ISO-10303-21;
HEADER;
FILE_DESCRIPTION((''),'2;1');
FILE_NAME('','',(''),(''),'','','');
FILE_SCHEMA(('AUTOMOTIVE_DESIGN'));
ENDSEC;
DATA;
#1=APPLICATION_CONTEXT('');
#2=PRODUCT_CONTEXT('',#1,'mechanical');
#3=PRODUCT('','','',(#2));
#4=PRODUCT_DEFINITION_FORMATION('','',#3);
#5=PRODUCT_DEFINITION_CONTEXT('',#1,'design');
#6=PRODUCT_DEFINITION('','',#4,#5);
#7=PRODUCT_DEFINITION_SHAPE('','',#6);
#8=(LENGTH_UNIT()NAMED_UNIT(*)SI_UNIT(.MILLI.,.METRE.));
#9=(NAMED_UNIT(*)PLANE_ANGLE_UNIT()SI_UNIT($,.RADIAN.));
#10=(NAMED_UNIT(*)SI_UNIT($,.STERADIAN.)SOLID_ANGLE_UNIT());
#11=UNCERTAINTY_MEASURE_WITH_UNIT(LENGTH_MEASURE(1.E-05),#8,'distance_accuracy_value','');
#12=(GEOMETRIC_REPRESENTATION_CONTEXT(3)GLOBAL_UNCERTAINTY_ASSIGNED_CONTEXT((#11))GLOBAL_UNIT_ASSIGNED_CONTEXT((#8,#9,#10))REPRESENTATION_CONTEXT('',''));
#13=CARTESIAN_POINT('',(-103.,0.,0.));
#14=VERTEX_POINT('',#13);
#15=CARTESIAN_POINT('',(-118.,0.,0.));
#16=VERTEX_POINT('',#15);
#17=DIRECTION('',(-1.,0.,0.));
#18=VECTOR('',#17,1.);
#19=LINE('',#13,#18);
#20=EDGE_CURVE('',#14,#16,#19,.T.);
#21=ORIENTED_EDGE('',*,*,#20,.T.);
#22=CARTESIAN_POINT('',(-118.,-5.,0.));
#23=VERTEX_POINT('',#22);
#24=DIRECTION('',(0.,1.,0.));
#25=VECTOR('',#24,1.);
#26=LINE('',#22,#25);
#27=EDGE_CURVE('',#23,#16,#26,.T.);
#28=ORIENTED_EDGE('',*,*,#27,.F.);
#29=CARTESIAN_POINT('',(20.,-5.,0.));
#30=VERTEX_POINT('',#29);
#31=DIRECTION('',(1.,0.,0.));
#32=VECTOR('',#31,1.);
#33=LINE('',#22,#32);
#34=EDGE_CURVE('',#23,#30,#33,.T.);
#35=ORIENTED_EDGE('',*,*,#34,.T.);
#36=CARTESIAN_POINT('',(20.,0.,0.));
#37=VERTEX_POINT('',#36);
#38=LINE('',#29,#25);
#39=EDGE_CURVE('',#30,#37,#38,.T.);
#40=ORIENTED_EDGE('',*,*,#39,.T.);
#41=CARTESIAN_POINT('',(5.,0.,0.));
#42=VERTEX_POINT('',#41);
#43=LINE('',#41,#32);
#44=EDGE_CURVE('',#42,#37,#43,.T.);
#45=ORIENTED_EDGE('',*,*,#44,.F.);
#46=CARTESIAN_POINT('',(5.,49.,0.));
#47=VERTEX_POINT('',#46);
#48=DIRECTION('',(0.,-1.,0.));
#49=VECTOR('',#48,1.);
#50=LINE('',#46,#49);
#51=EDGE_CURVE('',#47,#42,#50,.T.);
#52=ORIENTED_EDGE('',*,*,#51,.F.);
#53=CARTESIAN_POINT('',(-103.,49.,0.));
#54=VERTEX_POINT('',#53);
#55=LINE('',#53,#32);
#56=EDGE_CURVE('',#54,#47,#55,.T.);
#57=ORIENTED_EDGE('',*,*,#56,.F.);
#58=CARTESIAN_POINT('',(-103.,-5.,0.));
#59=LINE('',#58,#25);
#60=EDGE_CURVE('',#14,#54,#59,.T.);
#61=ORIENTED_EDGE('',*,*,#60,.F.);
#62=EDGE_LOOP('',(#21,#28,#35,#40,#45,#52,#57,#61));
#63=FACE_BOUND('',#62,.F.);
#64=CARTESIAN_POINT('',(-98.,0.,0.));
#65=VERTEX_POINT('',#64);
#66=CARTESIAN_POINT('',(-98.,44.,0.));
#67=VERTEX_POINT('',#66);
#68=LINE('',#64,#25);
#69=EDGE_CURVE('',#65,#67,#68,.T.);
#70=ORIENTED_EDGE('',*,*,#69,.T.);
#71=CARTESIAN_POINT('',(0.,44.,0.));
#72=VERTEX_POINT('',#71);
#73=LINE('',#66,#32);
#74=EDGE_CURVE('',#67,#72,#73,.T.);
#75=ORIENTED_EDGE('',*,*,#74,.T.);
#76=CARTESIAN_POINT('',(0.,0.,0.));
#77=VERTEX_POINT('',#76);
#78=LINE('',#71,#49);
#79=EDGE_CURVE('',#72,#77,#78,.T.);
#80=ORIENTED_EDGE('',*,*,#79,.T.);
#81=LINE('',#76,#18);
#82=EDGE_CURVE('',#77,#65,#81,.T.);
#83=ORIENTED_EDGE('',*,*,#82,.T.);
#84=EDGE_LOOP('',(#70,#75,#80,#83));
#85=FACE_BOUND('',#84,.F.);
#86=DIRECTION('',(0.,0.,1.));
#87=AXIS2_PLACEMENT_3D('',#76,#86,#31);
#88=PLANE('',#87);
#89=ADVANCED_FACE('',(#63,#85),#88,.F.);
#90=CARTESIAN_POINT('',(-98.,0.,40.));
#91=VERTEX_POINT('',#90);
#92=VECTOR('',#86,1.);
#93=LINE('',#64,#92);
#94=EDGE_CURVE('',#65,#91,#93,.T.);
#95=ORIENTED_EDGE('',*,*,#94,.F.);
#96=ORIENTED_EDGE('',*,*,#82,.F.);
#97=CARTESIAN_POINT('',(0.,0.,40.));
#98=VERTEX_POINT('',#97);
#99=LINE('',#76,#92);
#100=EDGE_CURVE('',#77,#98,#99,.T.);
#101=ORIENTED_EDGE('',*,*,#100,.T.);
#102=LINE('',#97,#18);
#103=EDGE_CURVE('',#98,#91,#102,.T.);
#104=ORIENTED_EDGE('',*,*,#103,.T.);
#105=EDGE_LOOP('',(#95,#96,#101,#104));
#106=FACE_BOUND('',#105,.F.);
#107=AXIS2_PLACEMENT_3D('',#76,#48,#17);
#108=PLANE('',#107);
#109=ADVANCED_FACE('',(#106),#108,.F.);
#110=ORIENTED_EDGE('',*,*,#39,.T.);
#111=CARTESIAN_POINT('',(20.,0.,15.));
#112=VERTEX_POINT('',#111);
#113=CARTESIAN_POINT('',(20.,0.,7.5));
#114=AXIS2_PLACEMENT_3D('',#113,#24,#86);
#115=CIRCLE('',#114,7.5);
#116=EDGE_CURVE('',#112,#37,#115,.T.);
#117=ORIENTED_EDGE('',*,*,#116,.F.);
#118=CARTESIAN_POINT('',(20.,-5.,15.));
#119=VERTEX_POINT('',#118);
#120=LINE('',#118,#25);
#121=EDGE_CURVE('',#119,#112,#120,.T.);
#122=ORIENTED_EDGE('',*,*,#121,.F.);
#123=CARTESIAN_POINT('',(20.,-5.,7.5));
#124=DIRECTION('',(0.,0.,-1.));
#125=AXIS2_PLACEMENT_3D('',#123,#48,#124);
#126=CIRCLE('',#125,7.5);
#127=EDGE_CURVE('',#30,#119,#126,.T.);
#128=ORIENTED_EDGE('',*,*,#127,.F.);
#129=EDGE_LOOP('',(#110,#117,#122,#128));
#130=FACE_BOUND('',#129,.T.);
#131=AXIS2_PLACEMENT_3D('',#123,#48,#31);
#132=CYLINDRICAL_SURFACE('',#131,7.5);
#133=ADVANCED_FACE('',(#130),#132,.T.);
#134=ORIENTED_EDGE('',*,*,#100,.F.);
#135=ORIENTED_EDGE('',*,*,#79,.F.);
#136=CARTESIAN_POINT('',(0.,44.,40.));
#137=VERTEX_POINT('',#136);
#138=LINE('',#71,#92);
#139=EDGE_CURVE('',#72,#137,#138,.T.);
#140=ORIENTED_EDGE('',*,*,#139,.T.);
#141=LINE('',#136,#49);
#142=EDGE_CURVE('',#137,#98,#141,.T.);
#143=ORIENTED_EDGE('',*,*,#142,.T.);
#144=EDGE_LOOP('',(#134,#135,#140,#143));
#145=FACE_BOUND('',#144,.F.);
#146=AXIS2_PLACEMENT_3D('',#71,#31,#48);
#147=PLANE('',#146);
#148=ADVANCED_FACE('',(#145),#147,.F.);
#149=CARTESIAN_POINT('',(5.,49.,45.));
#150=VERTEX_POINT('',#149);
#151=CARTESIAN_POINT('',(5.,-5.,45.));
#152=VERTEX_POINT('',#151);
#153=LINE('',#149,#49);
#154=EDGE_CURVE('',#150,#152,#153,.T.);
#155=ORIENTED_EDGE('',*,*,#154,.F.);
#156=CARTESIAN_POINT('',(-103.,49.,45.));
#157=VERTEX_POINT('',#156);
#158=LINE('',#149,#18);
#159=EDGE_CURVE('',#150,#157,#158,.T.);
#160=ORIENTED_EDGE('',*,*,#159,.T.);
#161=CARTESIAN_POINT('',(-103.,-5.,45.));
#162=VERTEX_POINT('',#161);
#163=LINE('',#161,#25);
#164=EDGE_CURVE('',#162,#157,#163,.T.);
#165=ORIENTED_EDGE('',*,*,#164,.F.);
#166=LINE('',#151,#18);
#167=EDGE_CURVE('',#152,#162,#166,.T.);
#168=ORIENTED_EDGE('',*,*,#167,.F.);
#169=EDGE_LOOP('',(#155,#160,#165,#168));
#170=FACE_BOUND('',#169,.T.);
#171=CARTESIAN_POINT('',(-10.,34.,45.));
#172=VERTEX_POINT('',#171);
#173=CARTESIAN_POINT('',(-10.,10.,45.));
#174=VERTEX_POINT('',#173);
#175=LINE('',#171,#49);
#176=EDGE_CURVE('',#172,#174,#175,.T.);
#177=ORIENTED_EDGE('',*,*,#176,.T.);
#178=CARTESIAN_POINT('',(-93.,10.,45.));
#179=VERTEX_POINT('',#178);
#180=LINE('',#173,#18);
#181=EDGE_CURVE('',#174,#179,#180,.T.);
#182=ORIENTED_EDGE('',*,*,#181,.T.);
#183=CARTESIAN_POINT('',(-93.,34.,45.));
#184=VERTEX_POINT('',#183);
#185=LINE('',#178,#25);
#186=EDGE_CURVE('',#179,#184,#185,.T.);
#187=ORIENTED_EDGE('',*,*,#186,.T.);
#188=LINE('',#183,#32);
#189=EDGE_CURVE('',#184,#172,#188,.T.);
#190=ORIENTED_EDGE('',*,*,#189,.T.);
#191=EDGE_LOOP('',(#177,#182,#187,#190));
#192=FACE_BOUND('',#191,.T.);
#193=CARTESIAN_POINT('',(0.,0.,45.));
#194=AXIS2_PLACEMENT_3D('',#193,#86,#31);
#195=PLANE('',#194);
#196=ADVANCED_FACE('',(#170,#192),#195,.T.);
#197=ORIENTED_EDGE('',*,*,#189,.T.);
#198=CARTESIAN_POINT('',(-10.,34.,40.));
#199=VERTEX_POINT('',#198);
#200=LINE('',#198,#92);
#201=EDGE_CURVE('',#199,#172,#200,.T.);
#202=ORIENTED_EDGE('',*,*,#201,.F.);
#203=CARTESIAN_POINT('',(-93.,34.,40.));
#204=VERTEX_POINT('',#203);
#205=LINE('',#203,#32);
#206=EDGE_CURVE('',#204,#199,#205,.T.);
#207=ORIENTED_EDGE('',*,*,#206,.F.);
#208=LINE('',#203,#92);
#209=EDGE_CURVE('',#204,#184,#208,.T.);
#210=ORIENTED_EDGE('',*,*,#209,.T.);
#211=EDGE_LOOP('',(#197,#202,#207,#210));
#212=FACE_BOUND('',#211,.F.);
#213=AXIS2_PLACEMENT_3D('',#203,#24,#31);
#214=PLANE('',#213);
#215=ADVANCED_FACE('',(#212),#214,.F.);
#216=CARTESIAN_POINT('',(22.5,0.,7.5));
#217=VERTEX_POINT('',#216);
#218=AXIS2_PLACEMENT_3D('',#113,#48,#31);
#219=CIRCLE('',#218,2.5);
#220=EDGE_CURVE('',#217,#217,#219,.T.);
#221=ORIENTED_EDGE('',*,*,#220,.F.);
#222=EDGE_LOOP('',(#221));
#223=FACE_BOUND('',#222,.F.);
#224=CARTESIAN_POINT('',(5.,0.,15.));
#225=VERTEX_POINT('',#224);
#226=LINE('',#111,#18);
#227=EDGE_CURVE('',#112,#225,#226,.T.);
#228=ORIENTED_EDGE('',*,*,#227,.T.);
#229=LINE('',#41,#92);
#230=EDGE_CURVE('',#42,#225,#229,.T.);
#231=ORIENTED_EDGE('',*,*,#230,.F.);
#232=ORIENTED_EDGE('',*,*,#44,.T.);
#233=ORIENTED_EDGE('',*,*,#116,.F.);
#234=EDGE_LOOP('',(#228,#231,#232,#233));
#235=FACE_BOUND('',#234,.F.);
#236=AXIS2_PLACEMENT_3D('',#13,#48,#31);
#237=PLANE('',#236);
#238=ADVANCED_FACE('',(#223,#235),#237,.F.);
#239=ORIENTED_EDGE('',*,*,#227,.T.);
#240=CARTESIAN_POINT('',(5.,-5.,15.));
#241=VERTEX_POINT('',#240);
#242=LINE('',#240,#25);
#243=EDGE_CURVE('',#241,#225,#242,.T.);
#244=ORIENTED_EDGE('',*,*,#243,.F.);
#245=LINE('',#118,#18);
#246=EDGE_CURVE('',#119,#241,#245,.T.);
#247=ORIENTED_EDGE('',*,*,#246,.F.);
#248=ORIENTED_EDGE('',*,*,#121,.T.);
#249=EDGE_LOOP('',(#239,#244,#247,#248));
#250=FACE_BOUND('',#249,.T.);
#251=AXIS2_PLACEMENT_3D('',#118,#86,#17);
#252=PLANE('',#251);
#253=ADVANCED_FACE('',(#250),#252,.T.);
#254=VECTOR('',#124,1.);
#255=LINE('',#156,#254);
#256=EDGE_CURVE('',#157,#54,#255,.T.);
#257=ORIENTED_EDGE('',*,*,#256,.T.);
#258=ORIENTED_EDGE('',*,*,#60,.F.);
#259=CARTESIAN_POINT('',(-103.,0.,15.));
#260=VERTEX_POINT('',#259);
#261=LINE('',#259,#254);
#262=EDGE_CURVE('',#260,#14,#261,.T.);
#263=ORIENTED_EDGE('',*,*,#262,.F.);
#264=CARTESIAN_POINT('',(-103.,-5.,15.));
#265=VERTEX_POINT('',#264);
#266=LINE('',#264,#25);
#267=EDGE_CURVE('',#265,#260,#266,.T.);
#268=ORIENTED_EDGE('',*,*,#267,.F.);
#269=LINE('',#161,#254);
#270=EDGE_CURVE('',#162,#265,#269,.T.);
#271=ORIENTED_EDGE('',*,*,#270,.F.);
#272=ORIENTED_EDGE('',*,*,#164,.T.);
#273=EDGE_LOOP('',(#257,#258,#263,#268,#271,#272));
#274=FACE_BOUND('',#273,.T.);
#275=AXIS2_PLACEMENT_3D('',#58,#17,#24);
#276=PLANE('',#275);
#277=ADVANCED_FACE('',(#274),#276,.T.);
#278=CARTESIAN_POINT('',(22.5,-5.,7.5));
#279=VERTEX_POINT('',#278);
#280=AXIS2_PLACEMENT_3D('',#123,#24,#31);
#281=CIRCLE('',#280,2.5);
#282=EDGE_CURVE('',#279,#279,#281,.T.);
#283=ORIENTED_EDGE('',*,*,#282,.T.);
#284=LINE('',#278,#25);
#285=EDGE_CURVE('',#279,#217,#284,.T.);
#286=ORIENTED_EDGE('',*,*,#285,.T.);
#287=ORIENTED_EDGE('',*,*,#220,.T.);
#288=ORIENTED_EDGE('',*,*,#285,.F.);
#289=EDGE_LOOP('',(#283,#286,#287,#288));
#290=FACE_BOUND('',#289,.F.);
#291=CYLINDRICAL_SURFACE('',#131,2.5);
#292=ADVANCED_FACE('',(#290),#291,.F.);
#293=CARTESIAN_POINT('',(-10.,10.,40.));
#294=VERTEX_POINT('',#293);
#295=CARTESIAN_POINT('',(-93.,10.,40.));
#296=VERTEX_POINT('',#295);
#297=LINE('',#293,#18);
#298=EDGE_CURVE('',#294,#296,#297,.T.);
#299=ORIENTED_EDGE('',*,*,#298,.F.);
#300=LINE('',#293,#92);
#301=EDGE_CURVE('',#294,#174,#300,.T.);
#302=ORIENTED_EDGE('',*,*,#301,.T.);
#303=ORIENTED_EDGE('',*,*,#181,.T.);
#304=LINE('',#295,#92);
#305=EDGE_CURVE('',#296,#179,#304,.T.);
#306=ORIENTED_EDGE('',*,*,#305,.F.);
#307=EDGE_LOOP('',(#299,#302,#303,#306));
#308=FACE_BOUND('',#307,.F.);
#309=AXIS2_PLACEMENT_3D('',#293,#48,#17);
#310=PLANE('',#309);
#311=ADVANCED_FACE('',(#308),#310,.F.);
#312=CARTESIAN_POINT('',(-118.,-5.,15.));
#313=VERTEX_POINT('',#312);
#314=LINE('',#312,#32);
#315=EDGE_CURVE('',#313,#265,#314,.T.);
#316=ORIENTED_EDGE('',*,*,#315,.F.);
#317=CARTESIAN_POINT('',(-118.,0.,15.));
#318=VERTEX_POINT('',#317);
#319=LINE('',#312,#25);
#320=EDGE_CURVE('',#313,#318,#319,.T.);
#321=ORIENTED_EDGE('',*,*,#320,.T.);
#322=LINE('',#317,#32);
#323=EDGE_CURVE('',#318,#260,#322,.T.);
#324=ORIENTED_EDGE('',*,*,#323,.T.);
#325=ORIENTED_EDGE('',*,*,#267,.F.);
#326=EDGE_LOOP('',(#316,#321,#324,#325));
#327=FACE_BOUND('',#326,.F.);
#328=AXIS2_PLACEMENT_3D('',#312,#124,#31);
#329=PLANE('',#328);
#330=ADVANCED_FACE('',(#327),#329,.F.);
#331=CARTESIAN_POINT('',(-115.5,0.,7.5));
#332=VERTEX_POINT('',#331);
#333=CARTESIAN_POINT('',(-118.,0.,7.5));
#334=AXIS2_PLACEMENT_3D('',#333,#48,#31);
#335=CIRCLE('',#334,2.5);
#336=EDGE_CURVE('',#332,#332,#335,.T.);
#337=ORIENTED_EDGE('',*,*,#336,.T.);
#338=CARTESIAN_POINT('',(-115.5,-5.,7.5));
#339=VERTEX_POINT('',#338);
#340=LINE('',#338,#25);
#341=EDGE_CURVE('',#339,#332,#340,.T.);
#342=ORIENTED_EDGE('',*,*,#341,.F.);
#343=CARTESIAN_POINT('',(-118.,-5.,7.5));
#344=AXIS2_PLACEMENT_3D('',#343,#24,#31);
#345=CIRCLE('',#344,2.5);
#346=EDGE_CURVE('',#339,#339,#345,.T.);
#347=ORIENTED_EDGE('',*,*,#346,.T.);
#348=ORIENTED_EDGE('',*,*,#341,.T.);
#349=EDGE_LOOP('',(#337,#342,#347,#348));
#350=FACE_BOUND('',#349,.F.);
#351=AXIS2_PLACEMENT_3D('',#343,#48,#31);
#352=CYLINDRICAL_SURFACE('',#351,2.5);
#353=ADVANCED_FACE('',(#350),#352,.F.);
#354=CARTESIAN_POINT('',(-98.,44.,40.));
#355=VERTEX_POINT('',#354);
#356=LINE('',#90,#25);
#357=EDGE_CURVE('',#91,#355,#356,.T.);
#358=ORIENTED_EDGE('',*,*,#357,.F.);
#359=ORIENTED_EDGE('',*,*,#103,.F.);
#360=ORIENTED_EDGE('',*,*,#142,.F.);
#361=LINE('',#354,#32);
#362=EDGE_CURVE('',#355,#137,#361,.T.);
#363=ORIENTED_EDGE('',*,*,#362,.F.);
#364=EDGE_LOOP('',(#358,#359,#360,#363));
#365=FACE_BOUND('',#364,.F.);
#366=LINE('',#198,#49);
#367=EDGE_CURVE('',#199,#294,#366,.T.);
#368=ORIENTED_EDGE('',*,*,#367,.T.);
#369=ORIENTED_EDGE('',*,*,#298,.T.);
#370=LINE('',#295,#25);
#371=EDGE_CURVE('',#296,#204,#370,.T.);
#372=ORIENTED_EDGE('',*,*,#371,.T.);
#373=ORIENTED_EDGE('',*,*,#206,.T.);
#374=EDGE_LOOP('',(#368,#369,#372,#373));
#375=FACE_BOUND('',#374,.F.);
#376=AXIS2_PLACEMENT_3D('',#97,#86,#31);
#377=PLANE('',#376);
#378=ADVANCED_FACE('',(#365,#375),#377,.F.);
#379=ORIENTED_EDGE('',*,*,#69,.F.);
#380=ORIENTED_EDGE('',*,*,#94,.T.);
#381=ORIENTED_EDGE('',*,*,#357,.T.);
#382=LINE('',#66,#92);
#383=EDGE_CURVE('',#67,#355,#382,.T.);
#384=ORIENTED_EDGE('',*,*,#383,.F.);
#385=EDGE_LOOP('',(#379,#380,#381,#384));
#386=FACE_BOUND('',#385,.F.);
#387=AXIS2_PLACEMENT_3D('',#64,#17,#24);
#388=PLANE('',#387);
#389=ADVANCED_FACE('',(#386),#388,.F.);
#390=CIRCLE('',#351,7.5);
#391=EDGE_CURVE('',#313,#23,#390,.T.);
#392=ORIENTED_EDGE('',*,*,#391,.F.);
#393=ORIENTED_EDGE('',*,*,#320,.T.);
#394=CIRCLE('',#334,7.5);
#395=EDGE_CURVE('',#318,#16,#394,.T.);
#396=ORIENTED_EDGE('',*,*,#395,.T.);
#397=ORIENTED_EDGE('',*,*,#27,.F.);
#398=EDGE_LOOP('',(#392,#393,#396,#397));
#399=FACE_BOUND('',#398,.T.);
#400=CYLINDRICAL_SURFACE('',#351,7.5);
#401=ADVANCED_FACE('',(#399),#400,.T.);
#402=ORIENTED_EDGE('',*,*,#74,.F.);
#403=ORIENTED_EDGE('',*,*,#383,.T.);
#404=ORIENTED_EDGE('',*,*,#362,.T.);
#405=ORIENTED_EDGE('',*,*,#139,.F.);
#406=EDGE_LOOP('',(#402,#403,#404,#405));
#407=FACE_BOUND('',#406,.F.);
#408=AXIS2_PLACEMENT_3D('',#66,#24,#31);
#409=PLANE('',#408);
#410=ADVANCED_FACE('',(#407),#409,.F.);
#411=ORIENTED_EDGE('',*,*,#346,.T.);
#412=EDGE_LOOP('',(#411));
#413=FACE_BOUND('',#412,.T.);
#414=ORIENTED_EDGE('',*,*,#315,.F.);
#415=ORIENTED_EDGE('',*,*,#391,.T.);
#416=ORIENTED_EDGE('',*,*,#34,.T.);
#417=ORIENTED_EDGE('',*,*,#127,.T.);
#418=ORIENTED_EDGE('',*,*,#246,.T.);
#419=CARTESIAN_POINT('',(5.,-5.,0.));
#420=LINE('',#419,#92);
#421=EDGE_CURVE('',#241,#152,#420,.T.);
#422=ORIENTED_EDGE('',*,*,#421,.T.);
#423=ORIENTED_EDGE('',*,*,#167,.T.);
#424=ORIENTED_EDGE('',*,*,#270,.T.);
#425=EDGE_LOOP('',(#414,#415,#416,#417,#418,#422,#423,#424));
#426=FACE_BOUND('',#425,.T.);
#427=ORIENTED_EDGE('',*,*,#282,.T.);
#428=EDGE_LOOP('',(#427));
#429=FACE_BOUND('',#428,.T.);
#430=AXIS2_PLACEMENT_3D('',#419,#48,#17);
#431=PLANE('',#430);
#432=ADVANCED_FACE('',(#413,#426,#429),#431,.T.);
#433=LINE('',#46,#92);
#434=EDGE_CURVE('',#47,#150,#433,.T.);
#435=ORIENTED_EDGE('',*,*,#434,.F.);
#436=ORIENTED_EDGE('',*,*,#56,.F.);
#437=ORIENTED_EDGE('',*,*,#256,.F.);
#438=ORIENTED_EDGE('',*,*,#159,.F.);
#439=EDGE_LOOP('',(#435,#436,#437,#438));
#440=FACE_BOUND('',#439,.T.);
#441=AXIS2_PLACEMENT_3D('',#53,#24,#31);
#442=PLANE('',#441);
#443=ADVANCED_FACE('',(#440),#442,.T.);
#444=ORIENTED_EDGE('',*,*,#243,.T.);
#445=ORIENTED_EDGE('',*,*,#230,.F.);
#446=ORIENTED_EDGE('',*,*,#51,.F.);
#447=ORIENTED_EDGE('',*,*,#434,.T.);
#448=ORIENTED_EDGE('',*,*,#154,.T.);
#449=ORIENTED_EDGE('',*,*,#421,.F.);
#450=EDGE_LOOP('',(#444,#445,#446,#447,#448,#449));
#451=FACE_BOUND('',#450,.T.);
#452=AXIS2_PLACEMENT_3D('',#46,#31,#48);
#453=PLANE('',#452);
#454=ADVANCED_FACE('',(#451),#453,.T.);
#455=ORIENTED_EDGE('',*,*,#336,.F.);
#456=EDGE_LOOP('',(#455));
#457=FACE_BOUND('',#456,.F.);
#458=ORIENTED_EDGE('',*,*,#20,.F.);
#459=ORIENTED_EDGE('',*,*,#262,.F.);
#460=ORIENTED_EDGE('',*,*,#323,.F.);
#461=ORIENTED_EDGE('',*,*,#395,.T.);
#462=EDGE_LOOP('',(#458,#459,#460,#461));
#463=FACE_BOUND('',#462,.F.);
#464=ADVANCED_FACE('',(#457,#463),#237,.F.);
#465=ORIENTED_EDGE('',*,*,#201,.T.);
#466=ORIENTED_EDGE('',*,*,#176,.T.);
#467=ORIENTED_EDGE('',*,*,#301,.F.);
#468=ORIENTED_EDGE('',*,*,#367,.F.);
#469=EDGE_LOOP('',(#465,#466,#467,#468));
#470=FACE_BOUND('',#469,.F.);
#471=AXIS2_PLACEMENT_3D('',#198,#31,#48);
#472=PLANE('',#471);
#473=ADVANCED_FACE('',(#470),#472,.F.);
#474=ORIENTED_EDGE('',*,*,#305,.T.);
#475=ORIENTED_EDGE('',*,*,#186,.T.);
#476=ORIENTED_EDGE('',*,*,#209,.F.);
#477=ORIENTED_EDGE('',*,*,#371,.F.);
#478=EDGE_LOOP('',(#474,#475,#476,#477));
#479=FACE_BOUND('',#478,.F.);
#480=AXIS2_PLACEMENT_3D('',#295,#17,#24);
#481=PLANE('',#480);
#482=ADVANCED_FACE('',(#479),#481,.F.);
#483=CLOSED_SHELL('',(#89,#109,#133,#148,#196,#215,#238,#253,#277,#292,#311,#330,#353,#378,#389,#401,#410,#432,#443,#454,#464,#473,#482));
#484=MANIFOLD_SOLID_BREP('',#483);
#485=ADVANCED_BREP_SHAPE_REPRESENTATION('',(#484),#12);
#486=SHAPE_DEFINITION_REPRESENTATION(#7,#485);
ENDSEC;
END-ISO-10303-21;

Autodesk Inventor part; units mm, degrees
ref_plane "YZ Plane" through (0, 0, 0) normal (1, 0, 0) x (0, 1, 0)
ref_plane "XZ Plane" through (0, 0, 0) normal (0, 1, 0) x (-1, 0, 0)
ref_plane "XY Plane" through (0, 0, 0) normal (0, 0, 1) x (1, 0, 0)
sketch "Sketch1" plane through (0, 0, 0) normal (0, 0, 1) x (1, 0, 0)
  line L0 (0, 0) -> (-98, 0)
  line L1 (-98, 0) -> (-98, 44)
  line L2 (-98, 44) -> (0, 44)
  line L3 (0, 44) -> (0, 0)
  line L4 (5, -5) -> (-103, -5)
  line L5 (-103, -5) -> (-103, 49)
  line L6 (-103, 49) -> (5, 49)
  line L7 (5, 49) -> (5, -5)
  dimension "d0" = 98
  dimension "d1" = 44
  dimension "d2" = 5
  dimension "d3" = 5
  dimension "d4" = 5
  dimension "d5" = 5
extrude "Extrusion1" add sketch "Sketch1" along normal blind 40
sketch "Sketch2" plane through (0, 0, 40) normal (0, 0, 1) x (1, 0, 0)
  line L0 (5, 49) -> (-103, 49) projected
  line L1 (5, -5) -> (-103, -5)
  line L2 (-103, -5) -> (-103, 49)
  line L3 (-103, 49) -> (5, 49)
  line L4 (5, 49) -> (5, -5)
  line L5 (-93, 34) -> (-10, 34)
  line L6 (-10, 34) -> (-10, 10)
  line L7 (-10, 10) -> (-93, 10)
  line L8 (-93, 10) -> (-93, 34)
  point P0 (0, 0)
  dimension "d10" = 10
  dimension "d11" = 15
  dimension "d12" = 15
  dimension "d13" = 15
extrude "Extrusion2" add sketch "Sketch2" along normal blind 5
sketch "Sketch3" plane through (-103, -5, 0) normal (0, -1, 0) x (1, 0, 0)
  line L0 (108, 0) -> (108, 45) projected
  line L1 (108, 0) -> (123, 0)
  line L2 (123, 0) -> (123, 15)
  line L3 (123, 15) -> (108, 15)
  line L4 (108, 15) -> (108, 0)
  circle A0 centre (123, 7.5) radius 7.5
  circle A1 centre (123, 7.5) radius 2.5
  line L5 (108, 45) -> (0, 45) projected
  line L6 (54, 45) -> (54, 61.5977)
  line L7 (0, 0) -> (-15, 0)
  line L8 (-15, 0) -> (-15, 15)
  line L9 (-15, 15) -> (0, 15)
  line L10 (0, 15) -> (0, 0)
  circle A2 centre (-15, 7.5) radius 7.5
  circle A3 centre (-15, 7.5) radius 2.5
  point P0 (103, 0)
  point P1 (5, 0)
  dimension "d14" = 15
  dimension "d15" = 15
  dimension "d16" = 5
extrude "Extrusion3" add sketch "Sketch3" against normal blind 5 contours L0 L3 A0 L1 | A0 L2 A1 | L2 A1 A0 | L7 A2 L9 L10 | A2 L8 A3 | L8 A3 A2
properties part number "PSUBracket"
